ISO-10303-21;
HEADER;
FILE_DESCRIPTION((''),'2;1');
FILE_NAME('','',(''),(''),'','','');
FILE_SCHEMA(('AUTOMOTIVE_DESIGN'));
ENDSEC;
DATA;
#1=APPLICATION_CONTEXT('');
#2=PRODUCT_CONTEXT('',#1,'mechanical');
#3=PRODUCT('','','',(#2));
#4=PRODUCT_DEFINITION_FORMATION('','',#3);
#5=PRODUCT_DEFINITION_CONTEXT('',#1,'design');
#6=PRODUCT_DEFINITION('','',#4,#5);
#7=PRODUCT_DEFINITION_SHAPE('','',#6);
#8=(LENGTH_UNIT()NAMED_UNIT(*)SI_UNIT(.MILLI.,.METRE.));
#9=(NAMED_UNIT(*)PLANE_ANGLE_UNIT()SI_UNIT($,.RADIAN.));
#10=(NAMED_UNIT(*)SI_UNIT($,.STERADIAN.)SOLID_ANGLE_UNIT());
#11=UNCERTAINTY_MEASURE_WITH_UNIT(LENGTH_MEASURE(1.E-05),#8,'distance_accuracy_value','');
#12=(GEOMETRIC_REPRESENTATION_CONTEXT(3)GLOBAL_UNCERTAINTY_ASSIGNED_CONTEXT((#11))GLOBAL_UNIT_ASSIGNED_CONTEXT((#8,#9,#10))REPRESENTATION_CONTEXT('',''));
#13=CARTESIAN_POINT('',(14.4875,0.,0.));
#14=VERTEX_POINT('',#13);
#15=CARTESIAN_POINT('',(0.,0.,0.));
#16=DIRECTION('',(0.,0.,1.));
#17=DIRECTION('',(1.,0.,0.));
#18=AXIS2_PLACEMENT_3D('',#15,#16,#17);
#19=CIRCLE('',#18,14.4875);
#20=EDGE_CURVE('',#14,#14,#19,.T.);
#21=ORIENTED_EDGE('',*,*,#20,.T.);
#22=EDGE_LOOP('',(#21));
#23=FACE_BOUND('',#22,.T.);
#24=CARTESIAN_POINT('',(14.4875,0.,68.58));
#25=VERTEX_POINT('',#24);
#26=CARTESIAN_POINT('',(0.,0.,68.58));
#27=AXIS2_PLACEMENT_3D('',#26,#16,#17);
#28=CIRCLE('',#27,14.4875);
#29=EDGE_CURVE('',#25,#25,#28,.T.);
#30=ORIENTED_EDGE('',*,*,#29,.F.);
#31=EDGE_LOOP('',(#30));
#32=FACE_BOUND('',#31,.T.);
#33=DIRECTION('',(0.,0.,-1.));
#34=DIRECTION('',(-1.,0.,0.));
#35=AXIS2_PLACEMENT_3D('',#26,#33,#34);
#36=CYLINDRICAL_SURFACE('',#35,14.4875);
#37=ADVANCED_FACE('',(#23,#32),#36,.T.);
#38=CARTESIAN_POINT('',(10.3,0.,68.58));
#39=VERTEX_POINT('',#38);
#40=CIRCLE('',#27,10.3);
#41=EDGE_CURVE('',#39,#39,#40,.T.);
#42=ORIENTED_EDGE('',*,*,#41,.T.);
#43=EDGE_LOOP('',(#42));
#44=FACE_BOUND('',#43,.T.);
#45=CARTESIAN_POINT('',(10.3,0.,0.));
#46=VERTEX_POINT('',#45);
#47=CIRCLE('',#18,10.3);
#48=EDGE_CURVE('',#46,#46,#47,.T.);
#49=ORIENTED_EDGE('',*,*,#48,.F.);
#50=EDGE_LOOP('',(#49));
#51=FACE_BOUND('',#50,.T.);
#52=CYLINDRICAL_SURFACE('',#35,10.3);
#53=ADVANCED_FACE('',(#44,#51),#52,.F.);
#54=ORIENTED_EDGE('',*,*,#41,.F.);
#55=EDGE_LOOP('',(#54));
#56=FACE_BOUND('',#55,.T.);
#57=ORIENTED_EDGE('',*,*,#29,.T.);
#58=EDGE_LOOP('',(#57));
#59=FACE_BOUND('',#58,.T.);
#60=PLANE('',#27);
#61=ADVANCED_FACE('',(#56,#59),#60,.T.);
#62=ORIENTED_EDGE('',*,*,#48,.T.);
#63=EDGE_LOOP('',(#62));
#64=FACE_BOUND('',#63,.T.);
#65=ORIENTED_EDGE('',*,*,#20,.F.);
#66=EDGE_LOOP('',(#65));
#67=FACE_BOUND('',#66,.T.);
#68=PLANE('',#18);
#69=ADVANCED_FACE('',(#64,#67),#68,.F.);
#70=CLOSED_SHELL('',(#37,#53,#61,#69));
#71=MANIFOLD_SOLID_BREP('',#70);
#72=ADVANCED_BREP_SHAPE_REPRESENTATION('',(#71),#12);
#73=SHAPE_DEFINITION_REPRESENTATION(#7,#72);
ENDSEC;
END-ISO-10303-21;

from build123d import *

# Parameters (mm, degrees)
SKETCH1_R           = 14.487499954
SKETCH1_R_2         = 10.299999974
BOSS_EXTRUDE1_DEPTH = 68.58


with BuildPart() as part:
    # Sketch1 → Boss-Extrude1 (new body)
    with BuildSketch(Plane.XY):
        Circle(SKETCH1_R)
        Circle(SKETCH1_R_2, mode=Mode.SUBTRACT)
    extrude(amount=BOSS_EXTRUDE1_DEPTH)


solid = part.part
